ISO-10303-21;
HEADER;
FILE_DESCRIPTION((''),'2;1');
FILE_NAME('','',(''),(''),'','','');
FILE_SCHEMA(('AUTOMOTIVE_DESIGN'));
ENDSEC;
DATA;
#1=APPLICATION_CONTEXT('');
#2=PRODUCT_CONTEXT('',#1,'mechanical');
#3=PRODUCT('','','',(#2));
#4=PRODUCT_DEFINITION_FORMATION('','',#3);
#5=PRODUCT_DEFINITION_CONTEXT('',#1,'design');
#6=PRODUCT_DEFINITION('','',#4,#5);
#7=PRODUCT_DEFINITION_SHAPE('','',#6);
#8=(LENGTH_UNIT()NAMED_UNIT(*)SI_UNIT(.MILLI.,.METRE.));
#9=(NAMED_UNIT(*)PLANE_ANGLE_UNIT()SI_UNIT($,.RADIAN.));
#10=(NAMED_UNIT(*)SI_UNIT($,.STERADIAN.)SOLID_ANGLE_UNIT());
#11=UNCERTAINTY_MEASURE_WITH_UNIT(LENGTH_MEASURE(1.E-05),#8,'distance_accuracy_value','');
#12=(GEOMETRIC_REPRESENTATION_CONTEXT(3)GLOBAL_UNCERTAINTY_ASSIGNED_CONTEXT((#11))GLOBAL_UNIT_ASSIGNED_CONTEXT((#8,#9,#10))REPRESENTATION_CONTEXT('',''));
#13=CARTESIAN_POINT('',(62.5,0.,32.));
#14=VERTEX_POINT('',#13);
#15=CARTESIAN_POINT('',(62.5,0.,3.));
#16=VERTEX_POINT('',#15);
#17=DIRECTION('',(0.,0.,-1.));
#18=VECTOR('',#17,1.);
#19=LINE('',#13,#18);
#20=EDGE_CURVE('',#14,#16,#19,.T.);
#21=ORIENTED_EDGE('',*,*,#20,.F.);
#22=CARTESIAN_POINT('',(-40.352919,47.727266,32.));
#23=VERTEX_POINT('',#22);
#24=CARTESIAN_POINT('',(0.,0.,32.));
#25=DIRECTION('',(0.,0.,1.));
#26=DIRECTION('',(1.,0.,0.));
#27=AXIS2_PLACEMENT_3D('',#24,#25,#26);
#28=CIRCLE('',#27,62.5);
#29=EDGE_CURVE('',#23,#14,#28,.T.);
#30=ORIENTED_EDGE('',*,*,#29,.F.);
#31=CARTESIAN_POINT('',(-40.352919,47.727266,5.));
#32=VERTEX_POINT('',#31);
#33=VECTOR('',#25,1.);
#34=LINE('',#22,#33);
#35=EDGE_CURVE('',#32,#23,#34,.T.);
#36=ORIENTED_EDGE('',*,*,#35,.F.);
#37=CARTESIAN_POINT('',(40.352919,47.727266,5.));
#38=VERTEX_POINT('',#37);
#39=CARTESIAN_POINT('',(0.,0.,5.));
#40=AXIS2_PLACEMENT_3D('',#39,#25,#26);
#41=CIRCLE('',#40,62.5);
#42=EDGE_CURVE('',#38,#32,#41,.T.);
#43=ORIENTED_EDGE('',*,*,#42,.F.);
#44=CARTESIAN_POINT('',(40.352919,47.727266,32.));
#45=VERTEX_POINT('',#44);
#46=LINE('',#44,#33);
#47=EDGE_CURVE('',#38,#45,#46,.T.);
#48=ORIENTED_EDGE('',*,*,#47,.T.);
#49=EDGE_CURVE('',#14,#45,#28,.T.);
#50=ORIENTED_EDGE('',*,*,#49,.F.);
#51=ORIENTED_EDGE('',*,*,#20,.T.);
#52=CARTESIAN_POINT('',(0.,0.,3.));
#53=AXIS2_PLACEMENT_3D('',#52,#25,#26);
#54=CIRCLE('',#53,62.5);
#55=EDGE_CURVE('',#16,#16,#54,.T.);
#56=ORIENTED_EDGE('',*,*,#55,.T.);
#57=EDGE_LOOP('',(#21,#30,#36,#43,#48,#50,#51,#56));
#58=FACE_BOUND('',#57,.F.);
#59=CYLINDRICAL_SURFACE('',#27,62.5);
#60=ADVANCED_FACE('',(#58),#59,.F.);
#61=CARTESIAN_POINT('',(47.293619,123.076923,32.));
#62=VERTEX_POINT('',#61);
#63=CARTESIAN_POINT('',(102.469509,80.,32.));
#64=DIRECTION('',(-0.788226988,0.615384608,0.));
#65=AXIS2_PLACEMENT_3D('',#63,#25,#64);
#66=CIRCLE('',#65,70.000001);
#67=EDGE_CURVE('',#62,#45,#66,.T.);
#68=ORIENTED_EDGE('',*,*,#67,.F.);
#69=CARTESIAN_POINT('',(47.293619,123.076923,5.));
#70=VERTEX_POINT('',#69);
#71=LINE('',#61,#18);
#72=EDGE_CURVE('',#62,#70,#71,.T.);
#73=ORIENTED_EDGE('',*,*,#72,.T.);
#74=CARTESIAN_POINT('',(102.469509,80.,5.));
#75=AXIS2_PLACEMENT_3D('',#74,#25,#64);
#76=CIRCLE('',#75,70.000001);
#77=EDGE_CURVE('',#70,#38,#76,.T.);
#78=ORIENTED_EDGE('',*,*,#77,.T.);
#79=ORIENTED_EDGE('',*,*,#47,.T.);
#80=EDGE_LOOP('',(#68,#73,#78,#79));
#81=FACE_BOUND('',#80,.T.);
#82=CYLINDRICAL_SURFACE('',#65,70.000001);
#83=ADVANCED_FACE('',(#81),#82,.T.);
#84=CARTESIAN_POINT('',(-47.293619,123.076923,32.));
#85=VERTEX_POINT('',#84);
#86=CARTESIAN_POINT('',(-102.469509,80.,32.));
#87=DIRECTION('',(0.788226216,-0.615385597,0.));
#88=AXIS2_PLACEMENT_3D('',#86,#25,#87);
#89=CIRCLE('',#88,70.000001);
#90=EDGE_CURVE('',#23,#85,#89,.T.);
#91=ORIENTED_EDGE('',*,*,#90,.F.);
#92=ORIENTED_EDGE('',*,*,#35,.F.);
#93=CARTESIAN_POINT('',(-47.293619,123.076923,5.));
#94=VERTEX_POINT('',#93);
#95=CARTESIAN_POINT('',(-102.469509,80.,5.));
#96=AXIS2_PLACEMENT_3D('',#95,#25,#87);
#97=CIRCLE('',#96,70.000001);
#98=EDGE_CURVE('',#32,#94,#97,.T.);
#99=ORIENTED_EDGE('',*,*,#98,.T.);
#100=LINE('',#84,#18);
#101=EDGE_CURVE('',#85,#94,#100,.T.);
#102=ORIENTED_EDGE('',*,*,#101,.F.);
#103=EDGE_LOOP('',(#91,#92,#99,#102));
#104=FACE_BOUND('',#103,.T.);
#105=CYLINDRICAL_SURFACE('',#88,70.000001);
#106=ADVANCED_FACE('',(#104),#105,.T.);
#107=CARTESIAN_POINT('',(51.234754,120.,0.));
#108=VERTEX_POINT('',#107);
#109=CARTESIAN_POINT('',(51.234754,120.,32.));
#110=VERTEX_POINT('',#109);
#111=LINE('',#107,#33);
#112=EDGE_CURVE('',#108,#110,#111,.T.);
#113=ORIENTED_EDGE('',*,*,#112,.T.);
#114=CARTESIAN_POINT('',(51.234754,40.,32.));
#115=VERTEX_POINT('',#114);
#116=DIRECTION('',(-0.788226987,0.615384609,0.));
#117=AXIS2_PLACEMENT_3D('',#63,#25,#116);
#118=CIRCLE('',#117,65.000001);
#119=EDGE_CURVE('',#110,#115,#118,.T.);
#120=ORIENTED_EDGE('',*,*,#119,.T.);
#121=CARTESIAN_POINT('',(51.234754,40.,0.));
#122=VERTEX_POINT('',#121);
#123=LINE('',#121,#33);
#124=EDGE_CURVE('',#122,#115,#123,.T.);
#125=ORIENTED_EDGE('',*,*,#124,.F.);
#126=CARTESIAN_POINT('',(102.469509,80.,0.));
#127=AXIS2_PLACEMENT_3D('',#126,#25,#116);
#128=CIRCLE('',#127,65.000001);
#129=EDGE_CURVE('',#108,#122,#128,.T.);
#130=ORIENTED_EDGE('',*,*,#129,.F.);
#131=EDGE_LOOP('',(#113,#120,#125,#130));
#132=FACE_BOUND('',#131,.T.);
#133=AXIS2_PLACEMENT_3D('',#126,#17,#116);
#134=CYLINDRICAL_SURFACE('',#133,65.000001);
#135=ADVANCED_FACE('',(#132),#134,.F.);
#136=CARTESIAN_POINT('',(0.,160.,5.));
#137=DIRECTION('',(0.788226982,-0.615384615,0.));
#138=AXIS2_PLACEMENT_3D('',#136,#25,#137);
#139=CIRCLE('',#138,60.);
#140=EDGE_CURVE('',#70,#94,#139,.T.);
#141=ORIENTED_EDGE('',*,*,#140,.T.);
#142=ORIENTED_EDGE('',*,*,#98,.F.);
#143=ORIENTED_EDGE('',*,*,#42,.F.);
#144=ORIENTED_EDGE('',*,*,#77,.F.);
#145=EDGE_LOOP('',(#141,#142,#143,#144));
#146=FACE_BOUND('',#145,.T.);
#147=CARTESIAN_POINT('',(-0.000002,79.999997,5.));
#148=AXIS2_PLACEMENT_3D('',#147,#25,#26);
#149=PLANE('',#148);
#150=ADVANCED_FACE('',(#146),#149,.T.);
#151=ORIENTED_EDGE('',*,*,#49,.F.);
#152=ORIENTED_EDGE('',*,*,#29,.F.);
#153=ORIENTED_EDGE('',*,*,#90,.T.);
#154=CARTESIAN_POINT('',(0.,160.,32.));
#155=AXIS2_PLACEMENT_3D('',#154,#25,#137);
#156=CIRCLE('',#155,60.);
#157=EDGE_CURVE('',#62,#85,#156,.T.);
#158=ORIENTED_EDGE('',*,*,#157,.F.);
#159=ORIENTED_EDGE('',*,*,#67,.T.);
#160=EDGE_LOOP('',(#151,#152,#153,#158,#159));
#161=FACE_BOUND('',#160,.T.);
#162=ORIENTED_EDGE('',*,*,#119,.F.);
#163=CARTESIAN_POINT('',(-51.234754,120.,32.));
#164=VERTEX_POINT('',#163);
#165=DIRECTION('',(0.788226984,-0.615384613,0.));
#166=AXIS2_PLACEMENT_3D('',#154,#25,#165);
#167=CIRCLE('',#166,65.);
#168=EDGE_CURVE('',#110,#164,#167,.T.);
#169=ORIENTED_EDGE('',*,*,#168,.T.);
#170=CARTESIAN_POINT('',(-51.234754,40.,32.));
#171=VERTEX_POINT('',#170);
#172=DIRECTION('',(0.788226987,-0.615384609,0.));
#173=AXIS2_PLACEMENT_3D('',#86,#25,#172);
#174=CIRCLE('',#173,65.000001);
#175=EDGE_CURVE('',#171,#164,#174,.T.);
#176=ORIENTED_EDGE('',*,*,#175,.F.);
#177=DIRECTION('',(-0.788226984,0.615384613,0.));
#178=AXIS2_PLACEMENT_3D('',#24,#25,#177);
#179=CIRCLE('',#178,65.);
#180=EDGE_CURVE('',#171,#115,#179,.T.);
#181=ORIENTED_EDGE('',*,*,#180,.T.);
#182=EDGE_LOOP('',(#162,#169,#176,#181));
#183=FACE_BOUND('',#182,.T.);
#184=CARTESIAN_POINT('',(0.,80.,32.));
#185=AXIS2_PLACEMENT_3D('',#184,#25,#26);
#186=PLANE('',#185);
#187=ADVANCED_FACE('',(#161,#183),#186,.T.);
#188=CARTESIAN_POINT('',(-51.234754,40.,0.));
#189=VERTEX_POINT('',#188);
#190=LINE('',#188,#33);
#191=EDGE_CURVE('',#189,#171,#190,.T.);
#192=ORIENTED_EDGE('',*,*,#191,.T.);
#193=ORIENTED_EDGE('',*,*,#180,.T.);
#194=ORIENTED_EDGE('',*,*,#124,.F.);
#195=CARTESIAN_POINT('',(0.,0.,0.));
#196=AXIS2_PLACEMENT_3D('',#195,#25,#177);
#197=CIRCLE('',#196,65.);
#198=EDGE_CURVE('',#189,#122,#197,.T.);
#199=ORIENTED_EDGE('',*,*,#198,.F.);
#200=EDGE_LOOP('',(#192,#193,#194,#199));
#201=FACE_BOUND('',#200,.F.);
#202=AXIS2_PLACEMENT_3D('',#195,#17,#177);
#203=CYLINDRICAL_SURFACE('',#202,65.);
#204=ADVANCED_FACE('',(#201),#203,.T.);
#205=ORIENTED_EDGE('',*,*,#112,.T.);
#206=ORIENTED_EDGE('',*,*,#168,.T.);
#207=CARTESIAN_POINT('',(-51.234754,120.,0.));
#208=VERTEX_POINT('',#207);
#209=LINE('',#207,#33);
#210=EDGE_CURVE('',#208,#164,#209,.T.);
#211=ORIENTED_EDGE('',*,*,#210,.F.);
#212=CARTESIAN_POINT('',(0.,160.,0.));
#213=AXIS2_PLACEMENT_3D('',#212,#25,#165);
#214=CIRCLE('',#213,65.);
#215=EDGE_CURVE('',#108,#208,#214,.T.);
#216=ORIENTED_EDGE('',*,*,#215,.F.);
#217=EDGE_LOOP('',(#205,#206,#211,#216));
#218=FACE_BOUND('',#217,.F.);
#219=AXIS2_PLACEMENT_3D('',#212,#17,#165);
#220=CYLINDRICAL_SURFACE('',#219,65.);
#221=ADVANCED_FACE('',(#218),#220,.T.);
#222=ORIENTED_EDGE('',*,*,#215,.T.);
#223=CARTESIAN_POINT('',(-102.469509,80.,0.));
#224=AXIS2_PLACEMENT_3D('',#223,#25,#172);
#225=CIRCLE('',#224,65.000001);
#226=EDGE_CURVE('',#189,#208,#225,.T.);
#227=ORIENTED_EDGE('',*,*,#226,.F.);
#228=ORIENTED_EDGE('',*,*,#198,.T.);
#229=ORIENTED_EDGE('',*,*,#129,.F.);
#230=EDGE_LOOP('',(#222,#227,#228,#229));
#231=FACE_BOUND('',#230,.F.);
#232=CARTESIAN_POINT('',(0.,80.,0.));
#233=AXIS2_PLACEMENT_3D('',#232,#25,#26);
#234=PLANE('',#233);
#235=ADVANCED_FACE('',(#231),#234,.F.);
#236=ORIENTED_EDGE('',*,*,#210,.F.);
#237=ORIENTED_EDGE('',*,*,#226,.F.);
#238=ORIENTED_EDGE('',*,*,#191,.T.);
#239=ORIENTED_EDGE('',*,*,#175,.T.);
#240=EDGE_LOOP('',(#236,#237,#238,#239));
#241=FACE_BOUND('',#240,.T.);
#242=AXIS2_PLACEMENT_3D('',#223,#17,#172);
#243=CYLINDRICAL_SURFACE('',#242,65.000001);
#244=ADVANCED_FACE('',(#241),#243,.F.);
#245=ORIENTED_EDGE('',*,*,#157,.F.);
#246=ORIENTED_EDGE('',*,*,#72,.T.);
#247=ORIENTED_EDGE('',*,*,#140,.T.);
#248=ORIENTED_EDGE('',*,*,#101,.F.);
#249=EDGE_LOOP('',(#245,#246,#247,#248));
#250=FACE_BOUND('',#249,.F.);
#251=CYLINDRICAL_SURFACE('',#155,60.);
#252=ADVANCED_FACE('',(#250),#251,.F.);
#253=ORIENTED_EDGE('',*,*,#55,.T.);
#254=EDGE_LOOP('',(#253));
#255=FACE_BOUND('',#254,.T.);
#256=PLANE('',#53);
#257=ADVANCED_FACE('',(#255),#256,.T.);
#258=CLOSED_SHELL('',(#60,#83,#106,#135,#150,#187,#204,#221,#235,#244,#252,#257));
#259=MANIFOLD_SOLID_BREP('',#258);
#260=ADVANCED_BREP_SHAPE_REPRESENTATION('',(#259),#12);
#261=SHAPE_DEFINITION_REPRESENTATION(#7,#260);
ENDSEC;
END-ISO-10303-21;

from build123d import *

# Parameters (mm, degrees)
PAD_DEPTH       = 32
POCKET_DEPTH    = 27
SKETCH021_R     = 62.5
POCKET014_DEPTH = 29


with BuildPart() as part:
    # Sketch → Pad (new body)
    with BuildSketch(Plane.XY):
        with BuildLine():
            ThreePointArc((-51.234754, 40), (0, -65), (51.234754, 40))
            ThreePointArc((51.234754, 120), (37.469508, 80), (51.234754, 40))
            ThreePointArc((51.234754, 120), (0, 225), (-51.234754, 120))
            ThreePointArc((-51.234754, 40), (-37.469508, 80), (-51.234754, 120))
        make_face()
    extrude(amount=PAD_DEPTH)

    # Sketch001 (on Face6 of Pad) → Pocket (cut)
    with BuildSketch(Plane.XY.offset(32)):
        with BuildLine():
            ThreePointArc((-47.293673, 36.923008), (4.4e-05, -60), (47.293619, 36.923077))
            ThreePointArc((47.293619, 123.076923), (32.469508, 80), (47.293619, 36.923077))
            ThreePointArc((47.293619, 123.076923), (0, 220), (-47.293619, 123.076923))
            ThreePointArc((-47.293673, 36.923008), (-32.469508, 79.999956), (-47.293619, 123.076923))
        make_face()
    extrude(amount=-POCKET_DEPTH, mode=Mode.SUBTRACT)

    # Sketch021 (on Face5 of Pocket) → Pocket014 (cut)
    with BuildSketch(Plane.XY.offset(32)):
        Circle(SKETCH021_R)
    extrude(amount=-POCKET014_DEPTH, mode=Mode.SUBTRACT)


solid = part.part
